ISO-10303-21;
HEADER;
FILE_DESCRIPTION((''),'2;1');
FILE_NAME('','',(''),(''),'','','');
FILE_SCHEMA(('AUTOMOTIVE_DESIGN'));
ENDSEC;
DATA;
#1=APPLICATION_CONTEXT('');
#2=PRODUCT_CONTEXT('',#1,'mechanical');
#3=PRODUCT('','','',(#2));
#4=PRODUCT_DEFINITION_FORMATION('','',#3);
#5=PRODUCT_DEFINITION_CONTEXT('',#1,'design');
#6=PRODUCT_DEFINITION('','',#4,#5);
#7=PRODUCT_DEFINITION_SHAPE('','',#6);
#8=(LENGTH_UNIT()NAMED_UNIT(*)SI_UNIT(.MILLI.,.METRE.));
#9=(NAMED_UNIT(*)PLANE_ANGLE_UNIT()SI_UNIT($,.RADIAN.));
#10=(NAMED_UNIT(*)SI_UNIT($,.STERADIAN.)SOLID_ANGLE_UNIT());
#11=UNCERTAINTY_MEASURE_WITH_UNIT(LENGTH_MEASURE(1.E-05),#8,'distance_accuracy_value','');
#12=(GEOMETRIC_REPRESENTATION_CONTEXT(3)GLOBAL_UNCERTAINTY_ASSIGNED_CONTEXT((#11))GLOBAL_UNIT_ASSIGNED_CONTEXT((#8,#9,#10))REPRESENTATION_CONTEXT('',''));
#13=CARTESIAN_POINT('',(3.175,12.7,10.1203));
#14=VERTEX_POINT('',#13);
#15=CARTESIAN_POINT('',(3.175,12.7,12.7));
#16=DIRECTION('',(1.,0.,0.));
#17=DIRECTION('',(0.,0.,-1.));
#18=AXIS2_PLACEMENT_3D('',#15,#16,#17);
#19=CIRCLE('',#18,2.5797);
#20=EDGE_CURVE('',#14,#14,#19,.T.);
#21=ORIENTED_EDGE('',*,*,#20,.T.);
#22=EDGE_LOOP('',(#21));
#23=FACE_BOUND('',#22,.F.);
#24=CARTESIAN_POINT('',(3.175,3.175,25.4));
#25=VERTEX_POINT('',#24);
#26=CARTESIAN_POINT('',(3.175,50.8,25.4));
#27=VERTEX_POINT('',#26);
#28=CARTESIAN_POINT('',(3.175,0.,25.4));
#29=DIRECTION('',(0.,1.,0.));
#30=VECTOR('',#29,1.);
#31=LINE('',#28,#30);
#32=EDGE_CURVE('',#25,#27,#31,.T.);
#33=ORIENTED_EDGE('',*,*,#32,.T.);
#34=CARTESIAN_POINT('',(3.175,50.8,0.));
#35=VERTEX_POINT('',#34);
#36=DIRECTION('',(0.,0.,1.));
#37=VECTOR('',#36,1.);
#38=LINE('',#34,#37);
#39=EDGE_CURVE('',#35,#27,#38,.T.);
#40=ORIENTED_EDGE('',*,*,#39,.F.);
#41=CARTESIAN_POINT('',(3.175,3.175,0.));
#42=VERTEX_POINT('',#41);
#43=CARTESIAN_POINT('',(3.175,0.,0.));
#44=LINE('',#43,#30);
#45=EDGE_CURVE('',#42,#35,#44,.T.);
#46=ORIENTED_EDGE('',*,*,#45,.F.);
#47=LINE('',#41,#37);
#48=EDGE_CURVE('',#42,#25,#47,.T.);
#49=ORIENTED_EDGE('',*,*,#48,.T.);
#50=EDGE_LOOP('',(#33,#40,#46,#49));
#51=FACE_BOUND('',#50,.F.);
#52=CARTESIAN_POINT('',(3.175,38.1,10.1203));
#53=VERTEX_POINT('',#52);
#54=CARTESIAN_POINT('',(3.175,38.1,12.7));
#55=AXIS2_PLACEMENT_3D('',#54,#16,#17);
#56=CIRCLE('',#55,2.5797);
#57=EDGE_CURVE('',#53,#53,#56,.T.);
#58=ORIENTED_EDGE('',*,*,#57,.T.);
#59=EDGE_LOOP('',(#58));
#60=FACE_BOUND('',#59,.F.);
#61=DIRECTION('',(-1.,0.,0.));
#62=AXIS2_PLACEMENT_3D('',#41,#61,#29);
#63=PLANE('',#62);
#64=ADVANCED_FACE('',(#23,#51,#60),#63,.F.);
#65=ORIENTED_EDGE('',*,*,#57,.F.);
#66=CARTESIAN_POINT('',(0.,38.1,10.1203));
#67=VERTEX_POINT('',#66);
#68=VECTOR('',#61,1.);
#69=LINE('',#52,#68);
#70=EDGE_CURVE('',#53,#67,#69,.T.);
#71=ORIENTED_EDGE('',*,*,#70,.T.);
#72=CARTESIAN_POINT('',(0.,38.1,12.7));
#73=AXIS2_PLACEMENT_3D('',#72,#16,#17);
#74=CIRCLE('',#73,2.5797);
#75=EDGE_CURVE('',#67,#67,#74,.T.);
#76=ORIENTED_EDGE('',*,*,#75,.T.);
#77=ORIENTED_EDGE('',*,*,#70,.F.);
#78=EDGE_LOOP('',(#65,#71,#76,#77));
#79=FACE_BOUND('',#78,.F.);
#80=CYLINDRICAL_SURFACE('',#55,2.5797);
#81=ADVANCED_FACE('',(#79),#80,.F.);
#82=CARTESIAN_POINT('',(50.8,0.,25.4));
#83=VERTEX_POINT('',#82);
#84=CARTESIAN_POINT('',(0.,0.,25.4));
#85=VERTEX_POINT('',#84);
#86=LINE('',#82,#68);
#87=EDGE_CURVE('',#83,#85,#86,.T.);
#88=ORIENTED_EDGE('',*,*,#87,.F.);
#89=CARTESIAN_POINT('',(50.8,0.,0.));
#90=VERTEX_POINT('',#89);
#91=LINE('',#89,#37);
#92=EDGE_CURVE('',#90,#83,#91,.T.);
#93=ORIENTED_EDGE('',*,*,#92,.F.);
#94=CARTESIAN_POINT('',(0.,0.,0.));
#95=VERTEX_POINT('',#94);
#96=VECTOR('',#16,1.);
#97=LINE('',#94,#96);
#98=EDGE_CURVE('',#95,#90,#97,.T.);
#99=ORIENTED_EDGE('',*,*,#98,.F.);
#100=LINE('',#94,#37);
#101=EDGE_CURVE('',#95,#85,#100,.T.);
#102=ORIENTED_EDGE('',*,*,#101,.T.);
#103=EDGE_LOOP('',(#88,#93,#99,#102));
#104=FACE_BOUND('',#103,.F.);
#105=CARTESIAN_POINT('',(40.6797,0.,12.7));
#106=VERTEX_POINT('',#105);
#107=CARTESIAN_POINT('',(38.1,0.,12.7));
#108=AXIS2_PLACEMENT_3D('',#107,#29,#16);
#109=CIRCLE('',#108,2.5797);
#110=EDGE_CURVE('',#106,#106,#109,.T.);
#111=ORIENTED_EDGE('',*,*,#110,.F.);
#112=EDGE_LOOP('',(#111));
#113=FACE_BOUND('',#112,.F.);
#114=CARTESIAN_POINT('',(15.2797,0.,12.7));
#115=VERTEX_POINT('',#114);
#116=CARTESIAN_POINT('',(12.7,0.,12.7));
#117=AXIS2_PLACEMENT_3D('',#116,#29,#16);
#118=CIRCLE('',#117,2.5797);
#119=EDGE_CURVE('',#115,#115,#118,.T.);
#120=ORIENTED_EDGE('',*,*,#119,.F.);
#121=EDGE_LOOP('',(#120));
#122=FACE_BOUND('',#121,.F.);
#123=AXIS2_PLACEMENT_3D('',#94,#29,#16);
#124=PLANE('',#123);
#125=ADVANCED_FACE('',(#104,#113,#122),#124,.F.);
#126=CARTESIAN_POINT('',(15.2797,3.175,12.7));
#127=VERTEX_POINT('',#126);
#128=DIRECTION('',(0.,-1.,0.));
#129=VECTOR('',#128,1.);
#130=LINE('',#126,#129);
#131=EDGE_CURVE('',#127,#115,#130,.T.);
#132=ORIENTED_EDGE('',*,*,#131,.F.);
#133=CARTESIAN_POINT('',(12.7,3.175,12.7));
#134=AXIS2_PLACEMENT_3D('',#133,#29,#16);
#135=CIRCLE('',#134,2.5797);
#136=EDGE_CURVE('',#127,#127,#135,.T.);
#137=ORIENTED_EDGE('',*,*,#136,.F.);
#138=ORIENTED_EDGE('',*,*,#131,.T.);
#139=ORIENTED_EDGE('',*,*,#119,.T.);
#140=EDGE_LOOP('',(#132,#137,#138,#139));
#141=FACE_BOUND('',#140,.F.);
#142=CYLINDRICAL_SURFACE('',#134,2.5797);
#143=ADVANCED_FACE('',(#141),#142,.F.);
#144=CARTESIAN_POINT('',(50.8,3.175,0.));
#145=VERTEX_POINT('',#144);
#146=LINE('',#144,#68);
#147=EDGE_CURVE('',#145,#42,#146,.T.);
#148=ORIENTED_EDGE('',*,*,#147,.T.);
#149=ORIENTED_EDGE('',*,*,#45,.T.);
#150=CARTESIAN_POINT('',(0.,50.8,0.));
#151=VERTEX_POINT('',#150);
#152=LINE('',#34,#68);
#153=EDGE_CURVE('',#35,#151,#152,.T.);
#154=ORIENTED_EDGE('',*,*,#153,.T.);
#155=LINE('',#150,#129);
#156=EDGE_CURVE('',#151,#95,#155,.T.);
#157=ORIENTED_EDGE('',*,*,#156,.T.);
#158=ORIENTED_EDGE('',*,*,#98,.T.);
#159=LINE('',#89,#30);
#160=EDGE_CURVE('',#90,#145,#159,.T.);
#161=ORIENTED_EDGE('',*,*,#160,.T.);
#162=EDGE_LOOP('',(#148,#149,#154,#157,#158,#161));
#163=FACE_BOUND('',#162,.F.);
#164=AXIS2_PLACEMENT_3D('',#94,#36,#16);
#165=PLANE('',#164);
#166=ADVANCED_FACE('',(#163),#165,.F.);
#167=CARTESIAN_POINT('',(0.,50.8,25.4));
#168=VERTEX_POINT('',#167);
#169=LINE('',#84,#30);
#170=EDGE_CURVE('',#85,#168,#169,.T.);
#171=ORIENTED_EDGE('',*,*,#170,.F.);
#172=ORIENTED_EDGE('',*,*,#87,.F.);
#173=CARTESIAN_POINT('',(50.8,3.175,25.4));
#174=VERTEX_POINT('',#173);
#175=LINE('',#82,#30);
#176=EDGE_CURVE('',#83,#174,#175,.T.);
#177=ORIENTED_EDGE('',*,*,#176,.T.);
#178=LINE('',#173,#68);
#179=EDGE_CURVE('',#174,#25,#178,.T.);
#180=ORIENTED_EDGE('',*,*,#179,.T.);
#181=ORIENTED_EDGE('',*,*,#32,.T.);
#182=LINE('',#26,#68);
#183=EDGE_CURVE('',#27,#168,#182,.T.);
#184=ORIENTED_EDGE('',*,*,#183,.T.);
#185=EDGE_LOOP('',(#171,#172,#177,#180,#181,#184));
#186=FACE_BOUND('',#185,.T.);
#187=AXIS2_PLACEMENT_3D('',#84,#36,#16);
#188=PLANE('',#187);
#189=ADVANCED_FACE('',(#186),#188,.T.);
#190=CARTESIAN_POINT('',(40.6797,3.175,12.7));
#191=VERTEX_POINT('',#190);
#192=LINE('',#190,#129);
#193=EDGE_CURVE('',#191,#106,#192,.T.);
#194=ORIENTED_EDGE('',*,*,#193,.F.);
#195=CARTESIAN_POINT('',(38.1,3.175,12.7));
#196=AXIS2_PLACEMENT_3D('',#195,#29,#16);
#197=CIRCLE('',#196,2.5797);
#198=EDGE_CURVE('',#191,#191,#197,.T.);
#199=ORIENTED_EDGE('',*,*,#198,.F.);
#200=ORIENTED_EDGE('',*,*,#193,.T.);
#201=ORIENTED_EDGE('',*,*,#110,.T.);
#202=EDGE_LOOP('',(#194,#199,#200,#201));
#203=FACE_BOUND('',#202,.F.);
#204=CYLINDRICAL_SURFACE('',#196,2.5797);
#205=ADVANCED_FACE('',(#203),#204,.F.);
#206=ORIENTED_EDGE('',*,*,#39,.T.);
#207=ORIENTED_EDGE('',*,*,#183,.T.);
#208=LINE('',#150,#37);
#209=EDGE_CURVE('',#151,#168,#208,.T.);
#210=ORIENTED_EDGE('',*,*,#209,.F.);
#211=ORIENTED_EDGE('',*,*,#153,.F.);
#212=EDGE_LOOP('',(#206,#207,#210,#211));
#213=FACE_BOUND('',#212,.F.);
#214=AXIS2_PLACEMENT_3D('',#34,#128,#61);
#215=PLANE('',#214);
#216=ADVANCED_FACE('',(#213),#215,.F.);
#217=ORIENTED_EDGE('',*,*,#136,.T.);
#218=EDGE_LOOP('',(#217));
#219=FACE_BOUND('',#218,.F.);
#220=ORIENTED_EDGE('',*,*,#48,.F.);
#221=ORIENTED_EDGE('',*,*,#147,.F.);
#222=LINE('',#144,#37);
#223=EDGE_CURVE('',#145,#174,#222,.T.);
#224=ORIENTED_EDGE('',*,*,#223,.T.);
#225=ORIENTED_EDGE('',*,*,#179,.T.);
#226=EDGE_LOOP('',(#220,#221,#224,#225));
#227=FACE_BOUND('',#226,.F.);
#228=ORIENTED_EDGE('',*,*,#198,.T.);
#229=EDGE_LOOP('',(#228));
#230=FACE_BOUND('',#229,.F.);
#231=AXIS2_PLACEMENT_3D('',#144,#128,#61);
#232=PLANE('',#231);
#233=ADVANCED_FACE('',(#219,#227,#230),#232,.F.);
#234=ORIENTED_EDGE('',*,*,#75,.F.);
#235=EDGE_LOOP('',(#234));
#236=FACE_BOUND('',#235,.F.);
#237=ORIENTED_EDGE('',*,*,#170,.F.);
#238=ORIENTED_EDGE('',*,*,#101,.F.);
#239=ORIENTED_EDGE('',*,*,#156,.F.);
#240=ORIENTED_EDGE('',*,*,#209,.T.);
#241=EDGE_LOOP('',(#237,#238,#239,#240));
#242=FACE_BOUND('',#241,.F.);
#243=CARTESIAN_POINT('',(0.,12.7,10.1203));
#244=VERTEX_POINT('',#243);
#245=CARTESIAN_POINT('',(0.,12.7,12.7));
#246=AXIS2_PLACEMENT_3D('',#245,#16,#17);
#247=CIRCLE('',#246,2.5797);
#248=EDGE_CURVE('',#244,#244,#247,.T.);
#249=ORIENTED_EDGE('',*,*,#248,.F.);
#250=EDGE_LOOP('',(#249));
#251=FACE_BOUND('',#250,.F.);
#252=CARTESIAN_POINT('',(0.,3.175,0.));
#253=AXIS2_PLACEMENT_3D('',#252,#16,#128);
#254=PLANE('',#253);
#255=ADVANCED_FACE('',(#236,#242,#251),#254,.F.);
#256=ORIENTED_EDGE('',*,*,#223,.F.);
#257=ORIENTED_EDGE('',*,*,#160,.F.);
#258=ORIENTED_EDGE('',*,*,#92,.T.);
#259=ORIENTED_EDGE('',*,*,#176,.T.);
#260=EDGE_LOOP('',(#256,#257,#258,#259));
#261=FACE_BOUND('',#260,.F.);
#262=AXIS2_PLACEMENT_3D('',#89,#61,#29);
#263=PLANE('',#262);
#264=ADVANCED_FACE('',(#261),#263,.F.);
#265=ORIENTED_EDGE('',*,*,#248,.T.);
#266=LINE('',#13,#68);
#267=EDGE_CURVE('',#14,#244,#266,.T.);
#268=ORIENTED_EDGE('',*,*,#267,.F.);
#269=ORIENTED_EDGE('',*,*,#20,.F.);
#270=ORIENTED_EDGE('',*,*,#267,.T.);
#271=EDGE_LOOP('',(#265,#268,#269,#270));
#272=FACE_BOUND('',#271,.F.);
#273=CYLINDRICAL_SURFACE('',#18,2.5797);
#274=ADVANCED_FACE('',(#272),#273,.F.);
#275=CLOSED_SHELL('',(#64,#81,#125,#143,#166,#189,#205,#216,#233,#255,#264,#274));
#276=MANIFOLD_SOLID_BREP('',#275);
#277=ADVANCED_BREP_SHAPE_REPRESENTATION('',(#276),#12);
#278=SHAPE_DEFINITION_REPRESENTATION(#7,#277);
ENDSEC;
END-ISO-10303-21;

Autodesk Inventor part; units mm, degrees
ref_plane "YZ Plane" through (0, 0, 0) normal (1, 0, 0) x (0, 1, 0)
ref_plane "XZ Plane" through (0, 0, 0) normal (0, 1, 0) x (-1, 0, 0)
ref_plane "XY Plane" through (0, 0, 0) normal (0, 0, 1) x (1, 0, 0)
sketch "Sketch1" plane through (0, 0, 0) normal (0, 0, 1) x (1, 0, 0)
  line L0 (0, 0) -> (3.175, 0)
  line L1 (3.175, 0) -> (3.175, 50.8)
  line L2 (3.175, 50.8) -> (0, 50.8)
  line L3 (0, 50.8) -> (0, 0)
  line L4 (0, 0) -> (50.8, 0)
  line L5 (50.8, 0) -> (50.8, 3.175)
  line L6 (50.8, 3.175) -> (0, 3.175)
  line L7 (0, 3.175) -> (0, 0)
  dimension "d0" = 3.175
  dimension "d1" = 50.8
  dimension "d2" = 50.8
  dimension "d3" = 3.175
extrude "Extrusion1" add sketch "Sketch1" along normal blind 25.4
sketch "Sketch2" plane through (3.175, 3.175, 0) normal (1, 0, 0) x (0, 0, -1)
  line L0 (0, 47.625) -> (-25.4, 47.625) construction
  line L1 (0, 0) -> (-25.4, 0) construction
  line L2 (-12.7, 0) -> (-12.7, 9.525) construction
  circle A0 centre (-12.7, 9.525) radius 2.5797
  line L3 (-12.7, 9.525) -> (-12.7, 34.925) construction
  circle A1 centre (-12.7, 34.925) radius 2.5797
  point P0 (0, -3.175)
  dimension "d18" = 9.525
  dimension "d19" = 5.1594
  dimension "d22" = 25.4
  dimension "d23" = 5.1594
extrude "Extrusion2" cut sketch "Sketch2" against normal blind 25.4
sketch "Sketch3" plane through (3.175, 3.175, 0) normal (0, 1, 0) x (1, 0, 0)
  line L0 (0, 0) -> (0, -25.4) construction
  line L1 (0, -12.7) -> (9.525, -12.7) construction
  circle A0 centre (9.525, -12.7) radius 2.5797
  line L2 (9.525, -12.7) -> (34.925, -12.7) construction
  circle A1 centre (34.925, -12.7) radius 2.5797
  point P0 (-3.175, 0)
  dimension "d12" = 9.525
  dimension "d13" = 5.1594
  dimension "d14" = 25.4
  dimension "d15" = 5.1594
extrude "Extrusion3" cut sketch "Sketch3" against normal blind 25.4
properties part number "LV Gusset"
